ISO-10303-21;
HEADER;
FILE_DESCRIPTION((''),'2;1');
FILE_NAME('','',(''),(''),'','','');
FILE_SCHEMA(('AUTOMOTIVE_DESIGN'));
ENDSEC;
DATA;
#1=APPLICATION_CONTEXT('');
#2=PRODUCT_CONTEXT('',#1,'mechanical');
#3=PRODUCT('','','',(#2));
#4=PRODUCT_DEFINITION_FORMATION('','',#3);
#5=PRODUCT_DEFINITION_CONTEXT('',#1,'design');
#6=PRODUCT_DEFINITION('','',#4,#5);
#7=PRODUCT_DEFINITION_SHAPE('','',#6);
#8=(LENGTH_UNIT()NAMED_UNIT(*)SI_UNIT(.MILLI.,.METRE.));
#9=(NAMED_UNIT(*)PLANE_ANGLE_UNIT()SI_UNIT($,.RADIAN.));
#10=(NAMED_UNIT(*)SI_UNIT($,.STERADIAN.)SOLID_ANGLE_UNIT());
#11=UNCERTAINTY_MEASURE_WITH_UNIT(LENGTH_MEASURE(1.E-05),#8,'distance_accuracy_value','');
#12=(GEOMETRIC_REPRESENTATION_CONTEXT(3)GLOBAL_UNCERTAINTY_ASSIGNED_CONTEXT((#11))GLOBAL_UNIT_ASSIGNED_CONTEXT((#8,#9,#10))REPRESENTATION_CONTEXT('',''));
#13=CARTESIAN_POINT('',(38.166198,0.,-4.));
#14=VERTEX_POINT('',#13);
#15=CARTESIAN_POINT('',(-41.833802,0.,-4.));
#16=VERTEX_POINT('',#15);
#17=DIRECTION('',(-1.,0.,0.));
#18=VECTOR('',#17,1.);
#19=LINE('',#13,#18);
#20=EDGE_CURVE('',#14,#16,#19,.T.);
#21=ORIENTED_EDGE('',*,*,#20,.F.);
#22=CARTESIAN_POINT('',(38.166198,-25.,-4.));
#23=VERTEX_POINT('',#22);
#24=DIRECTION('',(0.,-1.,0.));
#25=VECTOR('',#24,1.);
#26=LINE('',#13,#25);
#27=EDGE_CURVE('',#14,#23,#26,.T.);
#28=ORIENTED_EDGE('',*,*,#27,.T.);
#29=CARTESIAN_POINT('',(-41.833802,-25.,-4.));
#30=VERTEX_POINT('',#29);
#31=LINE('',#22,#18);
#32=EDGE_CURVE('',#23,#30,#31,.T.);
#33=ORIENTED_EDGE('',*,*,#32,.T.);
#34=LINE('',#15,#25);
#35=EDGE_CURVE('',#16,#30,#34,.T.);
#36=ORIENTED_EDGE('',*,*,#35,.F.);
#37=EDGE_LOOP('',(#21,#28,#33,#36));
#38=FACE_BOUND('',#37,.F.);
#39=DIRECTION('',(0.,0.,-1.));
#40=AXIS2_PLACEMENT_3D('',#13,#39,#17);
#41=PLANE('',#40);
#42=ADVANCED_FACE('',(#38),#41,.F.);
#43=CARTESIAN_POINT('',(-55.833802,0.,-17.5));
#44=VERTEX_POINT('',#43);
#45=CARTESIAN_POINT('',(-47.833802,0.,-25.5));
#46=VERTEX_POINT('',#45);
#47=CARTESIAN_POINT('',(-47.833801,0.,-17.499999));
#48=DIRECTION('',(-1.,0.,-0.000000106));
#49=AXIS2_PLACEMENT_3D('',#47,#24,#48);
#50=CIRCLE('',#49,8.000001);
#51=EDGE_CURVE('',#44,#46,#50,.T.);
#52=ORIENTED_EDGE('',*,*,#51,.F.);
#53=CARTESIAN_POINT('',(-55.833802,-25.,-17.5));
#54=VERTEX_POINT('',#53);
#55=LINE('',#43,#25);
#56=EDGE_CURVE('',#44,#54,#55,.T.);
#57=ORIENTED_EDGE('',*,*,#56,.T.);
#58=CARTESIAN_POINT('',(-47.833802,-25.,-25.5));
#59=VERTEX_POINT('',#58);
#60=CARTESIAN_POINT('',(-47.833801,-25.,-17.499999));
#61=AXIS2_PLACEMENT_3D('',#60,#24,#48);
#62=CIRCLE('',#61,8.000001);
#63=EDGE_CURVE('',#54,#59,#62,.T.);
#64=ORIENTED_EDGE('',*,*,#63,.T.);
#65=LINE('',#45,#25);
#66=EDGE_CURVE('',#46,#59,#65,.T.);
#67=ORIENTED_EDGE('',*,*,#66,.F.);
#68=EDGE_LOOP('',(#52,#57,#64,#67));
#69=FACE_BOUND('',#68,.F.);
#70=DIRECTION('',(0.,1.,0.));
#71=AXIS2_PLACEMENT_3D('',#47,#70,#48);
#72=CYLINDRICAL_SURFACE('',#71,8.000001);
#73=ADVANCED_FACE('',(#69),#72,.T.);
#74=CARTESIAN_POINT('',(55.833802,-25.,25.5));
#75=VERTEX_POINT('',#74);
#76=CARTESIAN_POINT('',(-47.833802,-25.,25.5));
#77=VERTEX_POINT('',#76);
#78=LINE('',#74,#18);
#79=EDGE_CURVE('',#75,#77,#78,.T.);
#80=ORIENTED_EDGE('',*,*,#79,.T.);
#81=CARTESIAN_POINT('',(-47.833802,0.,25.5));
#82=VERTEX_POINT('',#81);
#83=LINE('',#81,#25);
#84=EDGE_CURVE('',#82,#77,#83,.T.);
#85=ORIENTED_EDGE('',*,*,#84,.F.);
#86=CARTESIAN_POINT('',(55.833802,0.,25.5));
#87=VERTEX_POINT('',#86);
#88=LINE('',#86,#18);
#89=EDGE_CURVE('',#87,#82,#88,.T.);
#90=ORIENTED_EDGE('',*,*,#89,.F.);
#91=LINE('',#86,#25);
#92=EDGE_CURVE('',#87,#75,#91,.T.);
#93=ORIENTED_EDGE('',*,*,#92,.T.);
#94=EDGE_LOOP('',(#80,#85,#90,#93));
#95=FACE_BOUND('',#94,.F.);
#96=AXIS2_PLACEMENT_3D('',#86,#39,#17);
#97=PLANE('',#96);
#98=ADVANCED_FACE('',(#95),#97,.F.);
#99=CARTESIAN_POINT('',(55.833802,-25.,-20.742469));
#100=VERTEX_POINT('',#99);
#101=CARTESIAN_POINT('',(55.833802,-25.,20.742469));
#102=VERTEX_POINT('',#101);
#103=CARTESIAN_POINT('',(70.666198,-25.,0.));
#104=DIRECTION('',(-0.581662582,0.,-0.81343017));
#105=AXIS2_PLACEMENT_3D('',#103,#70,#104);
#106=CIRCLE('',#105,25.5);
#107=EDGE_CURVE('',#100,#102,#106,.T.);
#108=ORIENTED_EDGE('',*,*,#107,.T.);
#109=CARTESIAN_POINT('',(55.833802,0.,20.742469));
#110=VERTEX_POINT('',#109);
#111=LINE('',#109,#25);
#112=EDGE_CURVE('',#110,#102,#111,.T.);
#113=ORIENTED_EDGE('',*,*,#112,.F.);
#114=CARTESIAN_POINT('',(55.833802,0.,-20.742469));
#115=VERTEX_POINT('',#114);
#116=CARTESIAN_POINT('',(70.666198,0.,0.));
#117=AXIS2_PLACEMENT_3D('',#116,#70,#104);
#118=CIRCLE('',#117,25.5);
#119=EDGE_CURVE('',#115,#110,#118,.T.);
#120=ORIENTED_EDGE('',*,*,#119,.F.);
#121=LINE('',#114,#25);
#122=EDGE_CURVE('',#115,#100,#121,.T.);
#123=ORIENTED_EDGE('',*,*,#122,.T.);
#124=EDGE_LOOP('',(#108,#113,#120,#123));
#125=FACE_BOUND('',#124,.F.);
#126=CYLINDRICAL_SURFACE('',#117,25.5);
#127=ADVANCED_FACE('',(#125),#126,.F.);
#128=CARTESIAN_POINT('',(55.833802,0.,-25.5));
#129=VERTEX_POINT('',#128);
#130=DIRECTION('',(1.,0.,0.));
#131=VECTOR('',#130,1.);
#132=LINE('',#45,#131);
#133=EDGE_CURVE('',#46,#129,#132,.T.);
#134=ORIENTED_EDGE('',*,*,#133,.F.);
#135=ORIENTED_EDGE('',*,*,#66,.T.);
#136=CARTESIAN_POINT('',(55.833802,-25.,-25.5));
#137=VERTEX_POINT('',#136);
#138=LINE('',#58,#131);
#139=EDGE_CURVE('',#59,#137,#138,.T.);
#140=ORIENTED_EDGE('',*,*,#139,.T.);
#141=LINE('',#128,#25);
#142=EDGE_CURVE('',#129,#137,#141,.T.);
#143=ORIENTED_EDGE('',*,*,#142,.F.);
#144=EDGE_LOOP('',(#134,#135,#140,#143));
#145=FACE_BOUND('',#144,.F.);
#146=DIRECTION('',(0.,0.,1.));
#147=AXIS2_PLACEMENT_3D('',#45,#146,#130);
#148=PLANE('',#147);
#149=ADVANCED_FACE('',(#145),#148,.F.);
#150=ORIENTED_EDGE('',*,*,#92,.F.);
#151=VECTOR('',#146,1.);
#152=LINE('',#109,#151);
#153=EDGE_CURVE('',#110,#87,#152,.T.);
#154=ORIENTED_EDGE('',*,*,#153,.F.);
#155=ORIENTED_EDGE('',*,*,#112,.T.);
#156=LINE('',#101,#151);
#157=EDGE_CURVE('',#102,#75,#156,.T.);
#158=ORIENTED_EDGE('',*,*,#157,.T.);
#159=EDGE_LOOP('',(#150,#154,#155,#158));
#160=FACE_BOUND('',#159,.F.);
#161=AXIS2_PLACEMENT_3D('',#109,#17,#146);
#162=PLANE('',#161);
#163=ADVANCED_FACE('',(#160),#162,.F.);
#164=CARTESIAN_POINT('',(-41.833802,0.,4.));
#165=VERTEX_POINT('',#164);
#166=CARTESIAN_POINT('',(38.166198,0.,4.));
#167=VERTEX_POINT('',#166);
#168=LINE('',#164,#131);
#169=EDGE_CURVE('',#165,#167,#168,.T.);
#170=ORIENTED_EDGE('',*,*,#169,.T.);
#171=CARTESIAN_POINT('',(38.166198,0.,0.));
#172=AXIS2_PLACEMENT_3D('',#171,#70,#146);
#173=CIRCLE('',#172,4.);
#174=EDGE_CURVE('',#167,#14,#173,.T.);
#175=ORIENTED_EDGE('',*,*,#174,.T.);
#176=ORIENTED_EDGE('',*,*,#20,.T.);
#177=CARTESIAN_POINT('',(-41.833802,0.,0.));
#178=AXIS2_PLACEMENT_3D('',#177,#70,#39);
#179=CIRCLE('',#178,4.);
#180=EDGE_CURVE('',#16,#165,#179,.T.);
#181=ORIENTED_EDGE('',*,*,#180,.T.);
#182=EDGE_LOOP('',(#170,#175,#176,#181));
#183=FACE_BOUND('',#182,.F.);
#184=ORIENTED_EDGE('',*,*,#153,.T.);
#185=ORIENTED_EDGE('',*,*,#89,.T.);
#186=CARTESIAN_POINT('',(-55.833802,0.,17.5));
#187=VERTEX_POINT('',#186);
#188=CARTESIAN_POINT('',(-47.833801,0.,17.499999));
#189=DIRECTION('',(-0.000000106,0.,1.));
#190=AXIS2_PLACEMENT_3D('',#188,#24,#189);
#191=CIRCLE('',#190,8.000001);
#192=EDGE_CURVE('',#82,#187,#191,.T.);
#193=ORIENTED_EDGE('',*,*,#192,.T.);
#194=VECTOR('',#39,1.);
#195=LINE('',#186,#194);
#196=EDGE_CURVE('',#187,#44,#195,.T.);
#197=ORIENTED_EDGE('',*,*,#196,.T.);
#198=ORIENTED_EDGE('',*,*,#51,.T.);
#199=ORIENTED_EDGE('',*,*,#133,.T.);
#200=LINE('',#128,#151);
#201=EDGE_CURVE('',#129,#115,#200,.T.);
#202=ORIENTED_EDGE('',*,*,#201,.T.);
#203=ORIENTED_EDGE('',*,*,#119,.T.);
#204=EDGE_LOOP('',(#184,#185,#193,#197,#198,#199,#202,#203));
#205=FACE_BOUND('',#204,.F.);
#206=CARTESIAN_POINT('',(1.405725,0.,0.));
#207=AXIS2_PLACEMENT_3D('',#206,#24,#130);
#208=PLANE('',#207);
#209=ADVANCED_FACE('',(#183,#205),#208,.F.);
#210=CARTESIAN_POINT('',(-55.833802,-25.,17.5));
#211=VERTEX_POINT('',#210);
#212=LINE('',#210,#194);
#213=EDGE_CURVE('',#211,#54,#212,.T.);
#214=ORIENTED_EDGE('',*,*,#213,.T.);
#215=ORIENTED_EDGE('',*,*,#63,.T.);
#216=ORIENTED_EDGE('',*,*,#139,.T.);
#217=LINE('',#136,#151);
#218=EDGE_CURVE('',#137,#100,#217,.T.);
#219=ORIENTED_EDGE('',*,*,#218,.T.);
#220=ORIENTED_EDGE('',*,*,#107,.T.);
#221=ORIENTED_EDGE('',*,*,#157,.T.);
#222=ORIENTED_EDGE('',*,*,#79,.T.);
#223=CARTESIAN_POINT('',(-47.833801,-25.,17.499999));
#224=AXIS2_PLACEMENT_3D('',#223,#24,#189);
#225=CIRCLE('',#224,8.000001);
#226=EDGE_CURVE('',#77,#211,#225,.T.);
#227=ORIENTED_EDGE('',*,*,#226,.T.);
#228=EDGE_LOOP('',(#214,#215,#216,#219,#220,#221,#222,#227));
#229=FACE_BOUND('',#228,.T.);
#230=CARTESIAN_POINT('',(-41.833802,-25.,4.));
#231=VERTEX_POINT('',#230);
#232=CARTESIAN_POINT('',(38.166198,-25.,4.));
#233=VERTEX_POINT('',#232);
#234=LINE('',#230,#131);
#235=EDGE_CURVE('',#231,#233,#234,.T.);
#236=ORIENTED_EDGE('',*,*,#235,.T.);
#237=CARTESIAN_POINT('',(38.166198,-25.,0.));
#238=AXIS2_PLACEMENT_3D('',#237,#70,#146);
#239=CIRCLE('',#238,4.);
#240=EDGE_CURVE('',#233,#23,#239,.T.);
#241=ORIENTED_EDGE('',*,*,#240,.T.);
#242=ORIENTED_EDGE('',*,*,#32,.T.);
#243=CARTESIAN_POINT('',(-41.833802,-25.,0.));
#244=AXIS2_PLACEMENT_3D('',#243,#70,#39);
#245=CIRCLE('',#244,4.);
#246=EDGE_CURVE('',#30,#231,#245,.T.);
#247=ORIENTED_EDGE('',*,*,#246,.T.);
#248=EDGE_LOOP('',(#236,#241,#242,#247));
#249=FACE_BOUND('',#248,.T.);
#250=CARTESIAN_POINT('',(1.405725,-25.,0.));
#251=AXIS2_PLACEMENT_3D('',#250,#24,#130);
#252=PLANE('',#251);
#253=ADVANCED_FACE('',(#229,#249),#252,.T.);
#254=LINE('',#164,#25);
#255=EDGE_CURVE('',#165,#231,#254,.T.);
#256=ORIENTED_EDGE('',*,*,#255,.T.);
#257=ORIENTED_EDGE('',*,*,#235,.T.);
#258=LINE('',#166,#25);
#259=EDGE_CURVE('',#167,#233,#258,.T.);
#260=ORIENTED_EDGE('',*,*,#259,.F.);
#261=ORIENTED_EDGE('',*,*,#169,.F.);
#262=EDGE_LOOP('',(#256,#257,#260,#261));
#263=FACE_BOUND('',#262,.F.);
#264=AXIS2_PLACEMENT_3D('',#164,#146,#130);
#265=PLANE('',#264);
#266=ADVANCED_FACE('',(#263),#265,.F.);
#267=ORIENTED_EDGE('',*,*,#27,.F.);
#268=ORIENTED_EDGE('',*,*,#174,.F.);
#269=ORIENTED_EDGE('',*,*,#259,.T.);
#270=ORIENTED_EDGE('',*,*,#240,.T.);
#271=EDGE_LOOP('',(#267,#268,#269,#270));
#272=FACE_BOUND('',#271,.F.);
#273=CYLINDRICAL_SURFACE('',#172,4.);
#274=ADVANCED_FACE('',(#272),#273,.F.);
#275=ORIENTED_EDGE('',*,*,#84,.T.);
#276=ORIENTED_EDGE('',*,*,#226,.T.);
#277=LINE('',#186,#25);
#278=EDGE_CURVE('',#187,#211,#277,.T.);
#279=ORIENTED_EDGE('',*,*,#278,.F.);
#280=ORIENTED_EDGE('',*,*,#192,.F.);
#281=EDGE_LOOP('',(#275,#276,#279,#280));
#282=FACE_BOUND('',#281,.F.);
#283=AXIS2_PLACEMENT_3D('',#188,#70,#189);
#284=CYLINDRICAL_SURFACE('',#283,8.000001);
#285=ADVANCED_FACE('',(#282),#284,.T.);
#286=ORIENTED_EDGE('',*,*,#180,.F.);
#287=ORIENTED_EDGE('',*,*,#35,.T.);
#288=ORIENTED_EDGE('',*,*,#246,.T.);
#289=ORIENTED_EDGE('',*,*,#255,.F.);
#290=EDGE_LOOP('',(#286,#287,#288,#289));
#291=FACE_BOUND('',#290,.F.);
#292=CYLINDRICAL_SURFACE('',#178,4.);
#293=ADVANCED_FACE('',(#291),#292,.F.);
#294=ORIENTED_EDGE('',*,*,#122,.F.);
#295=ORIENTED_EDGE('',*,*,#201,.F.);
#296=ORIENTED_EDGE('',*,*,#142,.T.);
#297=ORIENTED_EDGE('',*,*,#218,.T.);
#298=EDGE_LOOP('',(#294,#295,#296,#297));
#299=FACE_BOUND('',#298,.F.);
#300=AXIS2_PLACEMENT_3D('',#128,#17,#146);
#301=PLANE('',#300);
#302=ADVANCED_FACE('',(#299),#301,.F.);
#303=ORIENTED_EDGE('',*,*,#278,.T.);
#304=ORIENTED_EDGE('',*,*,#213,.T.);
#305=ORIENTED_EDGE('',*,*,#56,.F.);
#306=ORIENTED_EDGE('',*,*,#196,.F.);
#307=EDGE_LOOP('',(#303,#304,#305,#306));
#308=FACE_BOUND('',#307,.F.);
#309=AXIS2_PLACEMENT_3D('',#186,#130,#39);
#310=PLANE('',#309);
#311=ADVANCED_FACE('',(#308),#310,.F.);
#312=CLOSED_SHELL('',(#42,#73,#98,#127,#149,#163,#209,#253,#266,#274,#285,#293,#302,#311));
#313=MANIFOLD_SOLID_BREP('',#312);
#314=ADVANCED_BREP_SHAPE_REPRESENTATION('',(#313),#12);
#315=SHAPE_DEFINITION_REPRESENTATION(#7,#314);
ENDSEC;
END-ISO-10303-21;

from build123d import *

# Parameters (mm, degrees)
F1_DEPTH = 25


with BuildPart() as f1:
    # F0 (on Front) → F1 (new body)
    with BuildSketch(Plane.XZ):
        with BuildLine():
            Line((55.833802, 25.5), (-47.833802, 25.5))
            ThreePointArc((-47.833802, 25.5), (-53.490656, 23.156854), (-55.833802, 17.5))
            Line((-55.833802, 17.5), (-55.833802, -17.5))
            ThreePointArc((-55.833802, -17.5), (-53.490656, -23.156854), (-47.833802, -25.5))
            Line((-47.833802, -25.5), (55.833802, -25.5))
            Line((55.833802, -25.5), (55.833802, -20.742469))
            ThreePointArc((55.833802, -20.742469), (45.166198, 0), (55.833802, 20.742469))
            Line((55.833802, 20.742469), (55.833802, 25.5))
        make_face()
        with BuildLine():
            Line((38.166198, -4), (-41.833802, -4))
            ThreePointArc((-41.833802, -4), (-45.833802, 0), (-41.833802, 4))
            Line((-41.833802, 4), (38.166198, 4))
            ThreePointArc((38.166198, 4), (42.166198, 0), (38.166198, -4))
        make_face(mode=Mode.SUBTRACT)
    extrude(amount=F1_DEPTH)


solid = f1.part
